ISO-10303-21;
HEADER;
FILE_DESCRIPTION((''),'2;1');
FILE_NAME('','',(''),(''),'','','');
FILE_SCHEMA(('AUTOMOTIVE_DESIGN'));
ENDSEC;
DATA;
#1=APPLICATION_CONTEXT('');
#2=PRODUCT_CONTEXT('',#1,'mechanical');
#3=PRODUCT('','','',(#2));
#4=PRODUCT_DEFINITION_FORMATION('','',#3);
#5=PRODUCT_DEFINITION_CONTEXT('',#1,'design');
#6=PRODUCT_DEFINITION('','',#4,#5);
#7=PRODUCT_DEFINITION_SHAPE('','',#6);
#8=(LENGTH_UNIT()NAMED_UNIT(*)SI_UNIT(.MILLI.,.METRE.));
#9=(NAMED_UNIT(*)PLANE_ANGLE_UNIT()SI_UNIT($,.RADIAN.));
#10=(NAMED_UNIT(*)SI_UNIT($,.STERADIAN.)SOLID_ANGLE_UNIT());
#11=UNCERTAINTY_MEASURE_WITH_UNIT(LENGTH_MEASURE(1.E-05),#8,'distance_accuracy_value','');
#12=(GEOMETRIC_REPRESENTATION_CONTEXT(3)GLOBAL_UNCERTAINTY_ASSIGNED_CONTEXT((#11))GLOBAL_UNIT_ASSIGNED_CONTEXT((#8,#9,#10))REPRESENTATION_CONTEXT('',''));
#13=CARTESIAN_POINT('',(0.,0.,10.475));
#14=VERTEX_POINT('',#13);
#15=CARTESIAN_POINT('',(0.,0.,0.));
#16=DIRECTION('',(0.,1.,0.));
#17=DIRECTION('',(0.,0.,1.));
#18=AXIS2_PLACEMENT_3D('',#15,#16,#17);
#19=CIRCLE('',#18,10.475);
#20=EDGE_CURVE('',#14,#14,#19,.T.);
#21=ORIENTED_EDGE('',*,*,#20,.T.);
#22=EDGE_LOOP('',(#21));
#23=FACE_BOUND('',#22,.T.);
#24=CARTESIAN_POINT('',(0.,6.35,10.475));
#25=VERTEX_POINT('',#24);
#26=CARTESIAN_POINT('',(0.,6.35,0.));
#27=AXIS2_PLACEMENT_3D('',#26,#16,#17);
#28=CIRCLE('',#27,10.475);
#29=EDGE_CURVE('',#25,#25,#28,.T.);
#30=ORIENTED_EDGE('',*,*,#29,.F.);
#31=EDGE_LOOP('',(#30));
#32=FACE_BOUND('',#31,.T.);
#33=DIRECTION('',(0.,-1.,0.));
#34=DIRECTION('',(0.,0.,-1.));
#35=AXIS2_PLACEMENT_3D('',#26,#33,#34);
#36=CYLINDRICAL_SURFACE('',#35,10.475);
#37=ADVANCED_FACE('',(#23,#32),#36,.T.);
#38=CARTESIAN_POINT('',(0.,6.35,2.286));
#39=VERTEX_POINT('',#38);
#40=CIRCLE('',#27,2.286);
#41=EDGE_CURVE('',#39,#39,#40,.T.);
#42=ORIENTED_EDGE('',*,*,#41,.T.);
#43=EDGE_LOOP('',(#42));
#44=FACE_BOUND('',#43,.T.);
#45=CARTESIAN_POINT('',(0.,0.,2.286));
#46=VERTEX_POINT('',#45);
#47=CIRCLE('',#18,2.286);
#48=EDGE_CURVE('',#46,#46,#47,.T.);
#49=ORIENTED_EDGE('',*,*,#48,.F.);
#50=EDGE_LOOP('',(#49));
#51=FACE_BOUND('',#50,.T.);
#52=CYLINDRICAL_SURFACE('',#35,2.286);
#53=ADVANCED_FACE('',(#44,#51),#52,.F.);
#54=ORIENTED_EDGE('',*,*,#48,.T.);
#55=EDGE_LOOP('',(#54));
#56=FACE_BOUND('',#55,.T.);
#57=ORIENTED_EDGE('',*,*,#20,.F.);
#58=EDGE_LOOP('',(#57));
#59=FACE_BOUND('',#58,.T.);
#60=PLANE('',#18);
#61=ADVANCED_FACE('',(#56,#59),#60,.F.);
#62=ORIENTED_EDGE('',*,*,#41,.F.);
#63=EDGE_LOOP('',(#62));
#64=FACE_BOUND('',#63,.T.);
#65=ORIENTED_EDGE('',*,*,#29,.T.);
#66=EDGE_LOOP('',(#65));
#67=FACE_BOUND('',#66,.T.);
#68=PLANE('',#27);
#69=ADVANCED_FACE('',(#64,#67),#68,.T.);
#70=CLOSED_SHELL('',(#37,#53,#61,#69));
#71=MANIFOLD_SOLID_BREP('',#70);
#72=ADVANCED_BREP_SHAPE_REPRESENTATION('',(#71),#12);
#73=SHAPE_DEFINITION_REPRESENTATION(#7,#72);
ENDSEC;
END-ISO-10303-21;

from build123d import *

# Parameters (mm, degrees)
SKETCH1_R           = 10.475
SKETCH1_R_2         = 7.62
BOSS_EXTRUDE1_DEPTH = 6.35
SKETCH1_3_R         = 7.62
SKETCH1_3_R_2       = 2.286
BOSS_EXTRUDE2_DEPTH = 6.35


with BuildPart() as part:
    # Sketch1 → Boss-Extrude1 (new body)
    with BuildSketch(Plane(origin=(0, 0, 0), x_dir=(1, 0, 0), z_dir=(0, 1, 0))):
        Circle(SKETCH1_R)
        Circle(SKETCH1_R_2, mode=Mode.SUBTRACT)
    extrude(amount=BOSS_EXTRUDE1_DEPTH)

    # Sketch1<3> → Boss-Extrude2 (add)
    with BuildSketch(Plane(origin=(0, 0, 0), x_dir=(1, 0, 0), z_dir=(0, 1, 0))):
        Circle(SKETCH1_3_R)
        Circle(SKETCH1_3_R_2, mode=Mode.SUBTRACT)
    extrude(amount=BOSS_EXTRUDE2_DEPTH)


solid = part.part
